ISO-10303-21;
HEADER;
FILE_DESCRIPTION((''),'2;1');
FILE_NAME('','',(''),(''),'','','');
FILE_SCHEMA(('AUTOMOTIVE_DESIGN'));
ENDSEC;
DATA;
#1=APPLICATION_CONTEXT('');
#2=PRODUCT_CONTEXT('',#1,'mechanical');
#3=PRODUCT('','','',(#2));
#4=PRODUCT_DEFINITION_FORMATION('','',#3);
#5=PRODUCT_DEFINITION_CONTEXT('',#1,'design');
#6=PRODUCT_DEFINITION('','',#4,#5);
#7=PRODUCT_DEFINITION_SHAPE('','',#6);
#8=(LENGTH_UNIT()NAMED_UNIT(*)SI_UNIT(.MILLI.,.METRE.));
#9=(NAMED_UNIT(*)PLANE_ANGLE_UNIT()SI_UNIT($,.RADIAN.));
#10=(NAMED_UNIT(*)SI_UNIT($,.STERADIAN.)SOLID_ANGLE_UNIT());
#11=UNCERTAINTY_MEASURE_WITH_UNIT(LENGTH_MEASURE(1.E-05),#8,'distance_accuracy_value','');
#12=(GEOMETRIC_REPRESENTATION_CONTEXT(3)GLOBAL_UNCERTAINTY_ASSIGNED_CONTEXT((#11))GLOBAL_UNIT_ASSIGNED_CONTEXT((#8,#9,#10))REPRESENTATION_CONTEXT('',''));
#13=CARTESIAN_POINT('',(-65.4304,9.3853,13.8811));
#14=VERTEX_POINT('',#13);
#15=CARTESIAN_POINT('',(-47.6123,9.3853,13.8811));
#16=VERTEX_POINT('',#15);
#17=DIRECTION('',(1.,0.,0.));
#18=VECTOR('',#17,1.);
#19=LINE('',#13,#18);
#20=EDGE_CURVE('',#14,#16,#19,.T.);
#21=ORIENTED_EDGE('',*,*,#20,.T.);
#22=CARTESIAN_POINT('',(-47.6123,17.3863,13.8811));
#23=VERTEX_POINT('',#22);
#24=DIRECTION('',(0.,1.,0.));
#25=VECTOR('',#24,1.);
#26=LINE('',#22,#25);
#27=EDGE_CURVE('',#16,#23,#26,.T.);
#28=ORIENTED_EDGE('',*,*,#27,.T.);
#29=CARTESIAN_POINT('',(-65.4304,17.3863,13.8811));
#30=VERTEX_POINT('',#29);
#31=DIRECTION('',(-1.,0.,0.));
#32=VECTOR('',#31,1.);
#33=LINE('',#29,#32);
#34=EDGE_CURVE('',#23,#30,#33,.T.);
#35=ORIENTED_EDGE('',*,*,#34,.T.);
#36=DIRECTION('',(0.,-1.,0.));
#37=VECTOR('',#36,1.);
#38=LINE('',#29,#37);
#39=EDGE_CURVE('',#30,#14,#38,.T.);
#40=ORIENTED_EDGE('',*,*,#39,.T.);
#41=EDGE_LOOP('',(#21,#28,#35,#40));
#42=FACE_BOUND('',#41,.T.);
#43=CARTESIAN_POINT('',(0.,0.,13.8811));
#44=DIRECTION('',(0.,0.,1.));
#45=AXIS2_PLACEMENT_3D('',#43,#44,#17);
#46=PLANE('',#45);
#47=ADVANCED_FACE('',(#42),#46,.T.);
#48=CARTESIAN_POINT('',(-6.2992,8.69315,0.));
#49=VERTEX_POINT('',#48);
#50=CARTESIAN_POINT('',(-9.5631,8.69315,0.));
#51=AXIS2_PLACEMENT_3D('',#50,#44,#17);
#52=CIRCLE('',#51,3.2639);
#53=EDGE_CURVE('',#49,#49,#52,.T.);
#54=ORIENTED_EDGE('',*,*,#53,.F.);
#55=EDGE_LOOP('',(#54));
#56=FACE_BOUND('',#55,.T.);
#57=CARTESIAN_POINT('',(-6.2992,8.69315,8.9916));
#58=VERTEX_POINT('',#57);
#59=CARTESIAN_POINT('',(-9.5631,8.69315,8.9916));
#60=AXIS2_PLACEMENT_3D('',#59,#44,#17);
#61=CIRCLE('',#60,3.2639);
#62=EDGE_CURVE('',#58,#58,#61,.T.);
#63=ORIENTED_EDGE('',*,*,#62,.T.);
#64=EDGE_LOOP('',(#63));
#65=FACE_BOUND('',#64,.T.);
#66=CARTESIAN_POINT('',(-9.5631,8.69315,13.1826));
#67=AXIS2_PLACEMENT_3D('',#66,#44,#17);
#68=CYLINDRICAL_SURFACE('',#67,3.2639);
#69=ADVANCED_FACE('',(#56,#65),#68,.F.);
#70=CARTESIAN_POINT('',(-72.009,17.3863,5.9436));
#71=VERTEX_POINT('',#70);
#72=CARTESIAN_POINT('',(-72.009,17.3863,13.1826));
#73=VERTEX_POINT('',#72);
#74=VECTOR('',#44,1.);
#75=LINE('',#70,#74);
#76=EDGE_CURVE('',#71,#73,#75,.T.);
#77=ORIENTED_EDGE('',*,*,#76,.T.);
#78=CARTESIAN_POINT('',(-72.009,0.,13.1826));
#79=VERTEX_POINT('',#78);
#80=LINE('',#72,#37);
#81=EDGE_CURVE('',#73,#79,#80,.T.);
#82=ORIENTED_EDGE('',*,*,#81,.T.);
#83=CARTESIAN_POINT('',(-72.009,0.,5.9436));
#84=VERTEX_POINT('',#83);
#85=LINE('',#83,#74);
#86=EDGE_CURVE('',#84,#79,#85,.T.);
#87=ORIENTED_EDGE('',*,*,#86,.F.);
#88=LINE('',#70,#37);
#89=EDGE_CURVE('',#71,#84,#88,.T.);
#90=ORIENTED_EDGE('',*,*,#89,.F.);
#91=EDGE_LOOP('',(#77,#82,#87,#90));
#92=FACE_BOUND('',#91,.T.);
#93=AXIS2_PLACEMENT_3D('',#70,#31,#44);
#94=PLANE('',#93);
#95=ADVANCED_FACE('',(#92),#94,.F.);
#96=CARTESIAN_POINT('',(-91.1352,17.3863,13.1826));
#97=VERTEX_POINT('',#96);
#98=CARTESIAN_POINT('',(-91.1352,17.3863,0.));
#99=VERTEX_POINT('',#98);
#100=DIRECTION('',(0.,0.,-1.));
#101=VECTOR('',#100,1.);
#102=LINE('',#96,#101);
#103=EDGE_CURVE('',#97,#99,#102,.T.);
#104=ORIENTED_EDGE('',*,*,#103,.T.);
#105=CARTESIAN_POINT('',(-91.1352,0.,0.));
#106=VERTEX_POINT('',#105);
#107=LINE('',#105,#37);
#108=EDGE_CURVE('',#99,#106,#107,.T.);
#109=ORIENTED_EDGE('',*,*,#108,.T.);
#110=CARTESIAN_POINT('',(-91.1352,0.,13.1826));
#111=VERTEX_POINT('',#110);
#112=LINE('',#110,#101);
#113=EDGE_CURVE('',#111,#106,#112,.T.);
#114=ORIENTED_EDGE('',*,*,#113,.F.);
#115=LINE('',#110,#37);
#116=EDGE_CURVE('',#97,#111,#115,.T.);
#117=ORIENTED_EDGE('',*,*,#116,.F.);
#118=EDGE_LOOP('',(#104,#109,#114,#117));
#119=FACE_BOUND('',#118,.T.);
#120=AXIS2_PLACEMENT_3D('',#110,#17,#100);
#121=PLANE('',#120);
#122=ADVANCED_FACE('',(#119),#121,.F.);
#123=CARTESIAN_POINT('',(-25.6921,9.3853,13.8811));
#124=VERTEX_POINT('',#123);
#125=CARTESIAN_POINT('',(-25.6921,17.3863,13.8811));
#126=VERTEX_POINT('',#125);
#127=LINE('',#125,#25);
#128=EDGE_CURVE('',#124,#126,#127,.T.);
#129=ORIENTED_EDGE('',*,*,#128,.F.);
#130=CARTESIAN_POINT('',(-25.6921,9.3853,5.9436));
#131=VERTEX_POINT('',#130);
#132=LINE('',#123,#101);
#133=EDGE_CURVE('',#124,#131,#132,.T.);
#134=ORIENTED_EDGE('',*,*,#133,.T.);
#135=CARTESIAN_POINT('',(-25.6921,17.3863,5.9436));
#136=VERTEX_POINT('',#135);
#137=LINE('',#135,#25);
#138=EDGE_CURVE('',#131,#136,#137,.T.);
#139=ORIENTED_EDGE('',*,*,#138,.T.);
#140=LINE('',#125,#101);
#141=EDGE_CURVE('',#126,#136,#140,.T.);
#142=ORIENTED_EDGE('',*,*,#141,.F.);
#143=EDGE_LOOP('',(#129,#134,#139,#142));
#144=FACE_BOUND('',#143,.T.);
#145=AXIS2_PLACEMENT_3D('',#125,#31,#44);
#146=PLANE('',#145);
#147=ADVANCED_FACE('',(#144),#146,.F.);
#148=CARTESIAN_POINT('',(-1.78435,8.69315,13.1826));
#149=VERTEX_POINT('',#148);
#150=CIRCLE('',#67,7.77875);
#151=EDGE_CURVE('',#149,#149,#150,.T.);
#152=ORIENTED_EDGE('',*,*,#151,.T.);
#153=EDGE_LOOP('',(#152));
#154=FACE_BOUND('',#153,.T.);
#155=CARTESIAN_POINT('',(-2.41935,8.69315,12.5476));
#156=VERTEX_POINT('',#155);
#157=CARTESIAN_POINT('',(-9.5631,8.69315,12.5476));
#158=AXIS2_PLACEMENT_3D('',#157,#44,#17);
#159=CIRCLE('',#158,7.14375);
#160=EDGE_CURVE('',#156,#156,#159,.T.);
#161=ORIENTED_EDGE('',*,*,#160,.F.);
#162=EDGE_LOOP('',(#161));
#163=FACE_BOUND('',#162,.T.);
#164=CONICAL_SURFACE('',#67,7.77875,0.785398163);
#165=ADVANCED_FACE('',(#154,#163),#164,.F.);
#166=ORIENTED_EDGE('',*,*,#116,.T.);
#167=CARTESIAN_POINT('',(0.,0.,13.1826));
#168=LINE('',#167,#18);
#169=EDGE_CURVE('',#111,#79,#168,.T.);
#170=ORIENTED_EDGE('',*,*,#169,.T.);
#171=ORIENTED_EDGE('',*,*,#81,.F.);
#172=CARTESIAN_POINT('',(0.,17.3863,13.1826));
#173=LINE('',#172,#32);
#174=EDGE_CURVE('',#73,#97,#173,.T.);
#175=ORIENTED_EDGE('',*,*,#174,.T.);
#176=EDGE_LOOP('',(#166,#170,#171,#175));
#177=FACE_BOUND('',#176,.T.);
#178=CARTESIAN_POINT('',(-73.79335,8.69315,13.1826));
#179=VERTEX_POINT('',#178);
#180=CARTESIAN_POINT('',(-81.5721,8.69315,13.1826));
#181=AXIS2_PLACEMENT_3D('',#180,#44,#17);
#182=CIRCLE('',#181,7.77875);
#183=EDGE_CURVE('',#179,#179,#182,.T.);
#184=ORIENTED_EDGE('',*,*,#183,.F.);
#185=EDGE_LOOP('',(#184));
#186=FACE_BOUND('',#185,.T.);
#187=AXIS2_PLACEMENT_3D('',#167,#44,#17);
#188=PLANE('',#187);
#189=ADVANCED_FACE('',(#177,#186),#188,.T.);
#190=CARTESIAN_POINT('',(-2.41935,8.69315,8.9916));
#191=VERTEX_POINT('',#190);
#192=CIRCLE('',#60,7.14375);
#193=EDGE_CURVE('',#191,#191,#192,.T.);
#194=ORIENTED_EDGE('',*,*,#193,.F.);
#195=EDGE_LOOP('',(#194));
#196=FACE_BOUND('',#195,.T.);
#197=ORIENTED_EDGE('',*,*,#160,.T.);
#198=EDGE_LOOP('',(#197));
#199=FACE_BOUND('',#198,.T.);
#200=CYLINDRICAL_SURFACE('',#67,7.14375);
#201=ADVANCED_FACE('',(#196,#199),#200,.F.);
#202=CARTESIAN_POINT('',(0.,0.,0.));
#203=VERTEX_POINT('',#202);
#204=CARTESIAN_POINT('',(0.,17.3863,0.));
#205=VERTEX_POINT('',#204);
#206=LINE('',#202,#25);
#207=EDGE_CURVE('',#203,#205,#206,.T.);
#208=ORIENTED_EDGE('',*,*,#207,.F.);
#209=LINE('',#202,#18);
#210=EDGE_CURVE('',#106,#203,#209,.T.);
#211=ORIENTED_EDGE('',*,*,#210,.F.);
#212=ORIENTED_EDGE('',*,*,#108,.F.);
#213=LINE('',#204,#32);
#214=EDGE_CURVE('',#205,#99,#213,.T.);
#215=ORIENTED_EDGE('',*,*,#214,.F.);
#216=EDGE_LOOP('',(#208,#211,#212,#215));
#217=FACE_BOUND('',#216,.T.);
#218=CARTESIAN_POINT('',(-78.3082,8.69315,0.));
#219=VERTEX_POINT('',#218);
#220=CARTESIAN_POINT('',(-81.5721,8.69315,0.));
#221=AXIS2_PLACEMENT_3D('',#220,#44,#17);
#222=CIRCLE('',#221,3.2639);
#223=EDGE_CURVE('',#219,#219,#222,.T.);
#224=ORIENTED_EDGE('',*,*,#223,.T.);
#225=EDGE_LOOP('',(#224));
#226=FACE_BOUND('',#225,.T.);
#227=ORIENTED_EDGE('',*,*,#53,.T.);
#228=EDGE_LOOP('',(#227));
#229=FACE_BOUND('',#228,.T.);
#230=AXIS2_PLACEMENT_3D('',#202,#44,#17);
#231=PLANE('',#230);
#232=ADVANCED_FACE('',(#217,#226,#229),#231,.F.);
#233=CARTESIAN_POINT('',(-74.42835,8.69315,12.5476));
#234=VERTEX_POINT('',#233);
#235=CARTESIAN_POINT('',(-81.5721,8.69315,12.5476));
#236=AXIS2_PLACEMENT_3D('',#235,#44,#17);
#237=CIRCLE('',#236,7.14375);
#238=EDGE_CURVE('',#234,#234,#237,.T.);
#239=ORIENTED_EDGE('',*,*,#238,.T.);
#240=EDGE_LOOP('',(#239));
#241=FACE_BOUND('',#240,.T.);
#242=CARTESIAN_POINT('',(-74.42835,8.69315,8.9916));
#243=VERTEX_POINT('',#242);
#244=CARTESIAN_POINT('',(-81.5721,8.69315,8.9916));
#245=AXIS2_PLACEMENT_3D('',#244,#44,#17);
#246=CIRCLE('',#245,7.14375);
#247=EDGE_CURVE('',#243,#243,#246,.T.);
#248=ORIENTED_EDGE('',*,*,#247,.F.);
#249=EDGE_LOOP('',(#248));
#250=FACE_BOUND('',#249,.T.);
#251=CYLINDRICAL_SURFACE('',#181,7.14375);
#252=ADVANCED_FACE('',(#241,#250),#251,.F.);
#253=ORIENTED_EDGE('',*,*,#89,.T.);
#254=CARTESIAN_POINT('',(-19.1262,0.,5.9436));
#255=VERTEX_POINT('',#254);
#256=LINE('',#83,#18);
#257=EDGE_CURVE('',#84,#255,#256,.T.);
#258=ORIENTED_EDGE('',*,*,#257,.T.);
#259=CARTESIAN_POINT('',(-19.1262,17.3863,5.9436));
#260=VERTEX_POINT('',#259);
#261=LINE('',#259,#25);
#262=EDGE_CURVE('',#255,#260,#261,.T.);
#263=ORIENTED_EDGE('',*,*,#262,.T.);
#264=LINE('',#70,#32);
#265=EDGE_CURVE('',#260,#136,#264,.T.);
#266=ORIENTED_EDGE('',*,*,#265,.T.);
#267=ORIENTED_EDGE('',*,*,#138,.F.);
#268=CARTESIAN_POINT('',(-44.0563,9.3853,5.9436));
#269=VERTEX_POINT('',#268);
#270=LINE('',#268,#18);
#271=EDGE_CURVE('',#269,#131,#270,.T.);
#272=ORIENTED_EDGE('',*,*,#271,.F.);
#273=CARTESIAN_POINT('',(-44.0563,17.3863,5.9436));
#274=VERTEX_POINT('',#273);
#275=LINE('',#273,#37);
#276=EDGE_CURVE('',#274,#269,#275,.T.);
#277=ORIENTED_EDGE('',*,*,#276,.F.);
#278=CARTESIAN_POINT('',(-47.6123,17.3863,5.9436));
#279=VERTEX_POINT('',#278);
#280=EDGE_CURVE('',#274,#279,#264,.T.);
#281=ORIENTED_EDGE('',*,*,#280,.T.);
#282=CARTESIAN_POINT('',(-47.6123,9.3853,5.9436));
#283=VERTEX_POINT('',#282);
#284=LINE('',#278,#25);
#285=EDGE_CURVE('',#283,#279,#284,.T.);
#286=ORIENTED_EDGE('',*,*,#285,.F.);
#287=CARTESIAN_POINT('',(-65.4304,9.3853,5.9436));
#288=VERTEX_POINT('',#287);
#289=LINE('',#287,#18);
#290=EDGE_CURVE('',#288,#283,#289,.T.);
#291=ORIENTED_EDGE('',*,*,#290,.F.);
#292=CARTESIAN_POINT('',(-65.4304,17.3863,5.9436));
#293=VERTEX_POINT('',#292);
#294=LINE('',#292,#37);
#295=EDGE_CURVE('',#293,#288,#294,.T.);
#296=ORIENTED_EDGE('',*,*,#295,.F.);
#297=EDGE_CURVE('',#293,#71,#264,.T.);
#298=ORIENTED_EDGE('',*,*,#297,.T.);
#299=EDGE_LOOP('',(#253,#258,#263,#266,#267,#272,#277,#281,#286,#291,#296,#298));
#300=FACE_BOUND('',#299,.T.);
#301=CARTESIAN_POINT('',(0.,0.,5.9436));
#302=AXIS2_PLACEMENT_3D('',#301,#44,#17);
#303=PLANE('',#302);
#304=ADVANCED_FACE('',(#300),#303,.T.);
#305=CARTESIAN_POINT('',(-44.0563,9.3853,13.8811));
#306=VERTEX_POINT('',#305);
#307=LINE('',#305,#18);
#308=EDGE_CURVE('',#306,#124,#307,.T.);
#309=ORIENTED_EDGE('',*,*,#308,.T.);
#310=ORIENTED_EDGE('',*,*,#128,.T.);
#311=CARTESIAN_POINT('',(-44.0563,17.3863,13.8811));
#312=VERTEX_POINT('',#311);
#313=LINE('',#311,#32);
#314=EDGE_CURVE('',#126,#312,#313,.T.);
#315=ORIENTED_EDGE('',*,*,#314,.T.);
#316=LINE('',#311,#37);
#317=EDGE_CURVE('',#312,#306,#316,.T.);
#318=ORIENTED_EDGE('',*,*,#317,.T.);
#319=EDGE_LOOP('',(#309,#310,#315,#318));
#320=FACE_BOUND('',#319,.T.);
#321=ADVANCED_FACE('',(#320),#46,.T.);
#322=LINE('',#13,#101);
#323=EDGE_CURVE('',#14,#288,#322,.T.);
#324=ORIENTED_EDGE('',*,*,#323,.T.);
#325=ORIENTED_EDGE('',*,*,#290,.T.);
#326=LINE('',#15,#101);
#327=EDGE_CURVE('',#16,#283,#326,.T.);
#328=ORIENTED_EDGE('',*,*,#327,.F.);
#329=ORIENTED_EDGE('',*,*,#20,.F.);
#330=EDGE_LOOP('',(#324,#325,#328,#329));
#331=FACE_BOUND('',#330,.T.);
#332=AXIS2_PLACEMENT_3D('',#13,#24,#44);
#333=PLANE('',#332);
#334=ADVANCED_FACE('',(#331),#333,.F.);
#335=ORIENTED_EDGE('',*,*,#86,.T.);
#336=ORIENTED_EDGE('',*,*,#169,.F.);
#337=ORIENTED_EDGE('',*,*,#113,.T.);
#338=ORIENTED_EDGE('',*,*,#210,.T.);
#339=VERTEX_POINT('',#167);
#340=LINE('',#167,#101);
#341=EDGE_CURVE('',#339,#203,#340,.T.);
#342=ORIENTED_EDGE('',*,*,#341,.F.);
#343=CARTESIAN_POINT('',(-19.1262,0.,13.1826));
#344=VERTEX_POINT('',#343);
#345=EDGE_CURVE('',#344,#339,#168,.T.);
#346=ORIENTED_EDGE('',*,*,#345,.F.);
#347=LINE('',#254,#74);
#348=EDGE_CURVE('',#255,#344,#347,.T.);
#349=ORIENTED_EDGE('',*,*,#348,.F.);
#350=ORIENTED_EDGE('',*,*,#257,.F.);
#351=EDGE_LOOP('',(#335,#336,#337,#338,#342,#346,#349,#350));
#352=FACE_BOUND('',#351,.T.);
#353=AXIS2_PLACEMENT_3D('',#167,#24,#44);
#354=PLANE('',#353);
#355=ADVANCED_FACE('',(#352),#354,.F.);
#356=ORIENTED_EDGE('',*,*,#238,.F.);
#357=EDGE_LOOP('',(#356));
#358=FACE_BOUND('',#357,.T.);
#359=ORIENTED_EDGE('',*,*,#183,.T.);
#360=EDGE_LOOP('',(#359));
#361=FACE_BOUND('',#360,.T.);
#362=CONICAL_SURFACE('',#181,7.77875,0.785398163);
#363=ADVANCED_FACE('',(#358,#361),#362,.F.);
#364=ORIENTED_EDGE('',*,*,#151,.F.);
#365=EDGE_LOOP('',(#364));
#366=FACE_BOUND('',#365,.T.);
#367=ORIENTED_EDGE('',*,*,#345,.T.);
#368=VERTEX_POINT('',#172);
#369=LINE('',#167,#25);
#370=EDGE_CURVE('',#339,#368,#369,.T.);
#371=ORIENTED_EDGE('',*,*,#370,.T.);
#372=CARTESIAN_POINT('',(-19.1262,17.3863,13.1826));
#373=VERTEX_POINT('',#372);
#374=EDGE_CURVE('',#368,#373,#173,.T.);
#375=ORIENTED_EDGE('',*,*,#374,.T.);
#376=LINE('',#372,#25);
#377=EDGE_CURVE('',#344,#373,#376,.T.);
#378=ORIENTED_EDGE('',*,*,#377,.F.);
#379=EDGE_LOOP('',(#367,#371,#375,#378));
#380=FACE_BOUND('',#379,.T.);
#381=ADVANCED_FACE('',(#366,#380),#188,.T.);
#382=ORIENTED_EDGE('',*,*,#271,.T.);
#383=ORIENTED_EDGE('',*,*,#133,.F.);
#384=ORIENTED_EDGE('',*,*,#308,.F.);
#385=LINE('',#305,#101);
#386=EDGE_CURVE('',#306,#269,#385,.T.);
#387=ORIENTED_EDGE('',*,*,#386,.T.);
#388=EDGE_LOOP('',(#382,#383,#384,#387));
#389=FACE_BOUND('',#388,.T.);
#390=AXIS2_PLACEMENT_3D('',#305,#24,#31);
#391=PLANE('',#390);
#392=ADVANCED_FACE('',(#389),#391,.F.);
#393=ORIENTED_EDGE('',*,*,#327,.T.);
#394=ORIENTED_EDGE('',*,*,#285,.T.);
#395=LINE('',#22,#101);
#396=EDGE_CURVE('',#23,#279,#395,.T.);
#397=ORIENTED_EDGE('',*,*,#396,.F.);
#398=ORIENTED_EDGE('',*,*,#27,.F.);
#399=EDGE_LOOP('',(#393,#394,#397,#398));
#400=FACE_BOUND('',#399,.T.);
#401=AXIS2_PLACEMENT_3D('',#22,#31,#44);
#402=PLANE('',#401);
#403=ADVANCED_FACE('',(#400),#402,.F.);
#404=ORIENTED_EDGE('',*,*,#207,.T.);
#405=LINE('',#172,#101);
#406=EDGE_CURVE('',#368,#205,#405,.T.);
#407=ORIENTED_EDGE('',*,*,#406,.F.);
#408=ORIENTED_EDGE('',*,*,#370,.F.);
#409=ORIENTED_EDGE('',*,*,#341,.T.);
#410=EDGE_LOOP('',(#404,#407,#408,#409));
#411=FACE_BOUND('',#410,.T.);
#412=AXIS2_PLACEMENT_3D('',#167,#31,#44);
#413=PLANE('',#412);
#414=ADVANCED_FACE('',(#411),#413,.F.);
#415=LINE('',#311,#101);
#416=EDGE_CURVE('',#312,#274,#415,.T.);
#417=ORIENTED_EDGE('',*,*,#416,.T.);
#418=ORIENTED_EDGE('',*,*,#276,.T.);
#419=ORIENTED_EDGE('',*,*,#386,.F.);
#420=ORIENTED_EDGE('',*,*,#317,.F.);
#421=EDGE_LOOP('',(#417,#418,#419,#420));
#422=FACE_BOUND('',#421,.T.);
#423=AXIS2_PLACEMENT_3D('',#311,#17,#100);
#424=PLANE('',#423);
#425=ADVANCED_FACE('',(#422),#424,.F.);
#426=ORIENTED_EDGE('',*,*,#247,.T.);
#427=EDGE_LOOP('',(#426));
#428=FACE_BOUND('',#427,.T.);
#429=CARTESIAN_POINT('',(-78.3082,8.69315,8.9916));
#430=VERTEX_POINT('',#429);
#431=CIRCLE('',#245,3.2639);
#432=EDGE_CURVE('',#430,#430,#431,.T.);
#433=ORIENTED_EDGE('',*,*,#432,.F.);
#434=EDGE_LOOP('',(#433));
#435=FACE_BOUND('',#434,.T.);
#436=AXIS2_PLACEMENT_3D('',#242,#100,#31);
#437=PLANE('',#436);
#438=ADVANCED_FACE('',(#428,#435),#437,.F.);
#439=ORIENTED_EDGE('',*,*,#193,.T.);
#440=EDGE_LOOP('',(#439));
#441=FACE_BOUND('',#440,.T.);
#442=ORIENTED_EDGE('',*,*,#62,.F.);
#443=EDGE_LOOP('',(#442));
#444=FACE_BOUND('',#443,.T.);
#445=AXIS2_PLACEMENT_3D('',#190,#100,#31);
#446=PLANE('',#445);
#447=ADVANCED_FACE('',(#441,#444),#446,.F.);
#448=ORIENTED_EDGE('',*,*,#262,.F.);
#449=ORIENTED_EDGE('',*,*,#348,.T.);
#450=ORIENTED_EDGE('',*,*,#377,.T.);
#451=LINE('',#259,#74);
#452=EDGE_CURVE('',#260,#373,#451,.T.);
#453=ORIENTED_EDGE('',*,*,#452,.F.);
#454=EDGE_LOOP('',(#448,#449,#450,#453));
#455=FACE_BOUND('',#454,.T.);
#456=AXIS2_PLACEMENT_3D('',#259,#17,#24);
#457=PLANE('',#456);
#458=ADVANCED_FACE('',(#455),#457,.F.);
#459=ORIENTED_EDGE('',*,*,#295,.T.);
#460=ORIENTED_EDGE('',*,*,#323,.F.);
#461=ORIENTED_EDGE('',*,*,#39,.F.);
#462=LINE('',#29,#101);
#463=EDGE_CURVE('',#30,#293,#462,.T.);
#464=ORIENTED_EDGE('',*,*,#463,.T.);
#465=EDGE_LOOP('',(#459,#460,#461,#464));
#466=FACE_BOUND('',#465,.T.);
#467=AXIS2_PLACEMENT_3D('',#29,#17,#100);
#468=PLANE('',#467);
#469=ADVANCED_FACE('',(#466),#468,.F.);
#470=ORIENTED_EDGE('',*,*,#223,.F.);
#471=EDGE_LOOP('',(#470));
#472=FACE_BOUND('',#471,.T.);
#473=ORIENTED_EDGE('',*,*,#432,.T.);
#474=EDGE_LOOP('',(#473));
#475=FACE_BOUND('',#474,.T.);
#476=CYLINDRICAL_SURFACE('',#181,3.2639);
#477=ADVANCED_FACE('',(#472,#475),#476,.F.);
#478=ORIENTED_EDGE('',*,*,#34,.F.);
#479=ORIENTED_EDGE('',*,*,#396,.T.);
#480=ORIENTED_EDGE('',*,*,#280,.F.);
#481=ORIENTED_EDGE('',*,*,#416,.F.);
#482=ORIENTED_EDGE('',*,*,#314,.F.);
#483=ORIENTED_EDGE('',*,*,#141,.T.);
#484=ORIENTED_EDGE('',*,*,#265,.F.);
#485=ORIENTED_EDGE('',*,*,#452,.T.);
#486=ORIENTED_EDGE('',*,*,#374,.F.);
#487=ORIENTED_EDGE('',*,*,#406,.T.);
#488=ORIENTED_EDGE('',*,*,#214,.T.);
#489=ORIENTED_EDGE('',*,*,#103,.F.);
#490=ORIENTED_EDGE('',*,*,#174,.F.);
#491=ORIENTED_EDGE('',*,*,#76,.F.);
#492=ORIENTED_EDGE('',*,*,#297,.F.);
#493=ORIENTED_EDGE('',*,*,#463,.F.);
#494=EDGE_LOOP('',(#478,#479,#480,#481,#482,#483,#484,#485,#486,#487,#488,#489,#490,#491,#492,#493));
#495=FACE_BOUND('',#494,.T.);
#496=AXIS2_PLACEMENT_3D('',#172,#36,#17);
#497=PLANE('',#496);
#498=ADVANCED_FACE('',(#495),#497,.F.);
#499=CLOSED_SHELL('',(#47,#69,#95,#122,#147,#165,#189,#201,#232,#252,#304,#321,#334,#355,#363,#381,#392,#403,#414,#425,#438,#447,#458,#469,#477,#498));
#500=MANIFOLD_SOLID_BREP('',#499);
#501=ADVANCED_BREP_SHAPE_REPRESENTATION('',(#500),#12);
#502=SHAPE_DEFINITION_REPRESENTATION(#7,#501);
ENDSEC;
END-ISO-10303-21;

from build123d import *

# Parameters (mm, degrees)
SKETCH1_W                                    = 91.1352
SKETCH1_H                                    = 17.3863
BOSS_EXTRUDE1_DEPTH                          = 13.1826
SKETCH2_W                                    = 52.8828
SKETCH2_H                                    = 17.3863
CUT_EXTRUDE1_DEPTH                           = 7.239
CBORE_FOR_1_4_BINDING_HEAD_MACHINE_S_2_COUNT = 2
CBORE_FOR_1_4_BINDING_HEAD_MACHINE_S_2_PITCH = 72.009
SKETCH7_W                                    = 17.8181
SKETCH7_H                                    = 8.001
SKETCH7_W_2                                  = 18.3642
BOSS_EXTRUDE2_DEPTH                          = 7.9375


with BuildPart() as part:
    # Sketch1 → Boss-Extrude1 (new body)
    with BuildSketch(Plane.XY):
        with Locations((-45.5676, 8.69315)):
            Rectangle(SKETCH1_W, SKETCH1_H)
    extrude(amount=BOSS_EXTRUDE1_DEPTH)

    # Sketch2 → Cut-Extrude1 (cut)
    with BuildSketch(Plane.XY.offset(13.1826)):
        with Locations((-45.5676, 8.69315)):
            Rectangle(SKETCH2_W, SKETCH2_H)
    extrude(amount=-CUT_EXTRUDE1_DEPTH, mode=Mode.SUBTRACT)

    # Sketch6 → CBORE for 1/4 Binding Head Machine Screw1 (revolve, cut)
    with BuildSketch(Plane(origin=(-81.5721, 8.69315, 13.1826), x_dir=(0, -1, 0), z_dir=(1, 0, 0))):
        Polygon((0, 0), (0, 13.1826), (3.2639, 13.1826), (3.2639, 4.191), (7.14375, 4.191), (7.14375, 0.635), (7.77875, 0), align=None)
    cbore_for_1_4_binding_head_machine_screw = revolve(axis=Axis((-81.5721, 8.69315, 19.5326), (0, 0, -1)), mode=Mode.SUBTRACT)

    # CBORE for 1_4 Binding Head Machine S 2: CBORE for 1/4 Binding Head Machine Screw1 ×2
    with Locations(*[(i * CBORE_FOR_1_4_BINDING_HEAD_MACHINE_S_2_PITCH, 0, 0) for i in range(1, CBORE_FOR_1_4_BINDING_HEAD_MACHINE_S_2_COUNT)]):
        add(cbore_for_1_4_binding_head_machine_screw, mode=Mode.SUBTRACT)

    # Sketch7 → Boss-Extrude2 (add)
    with BuildSketch(Plane.XY.offset(5.9436)):
        with Locations((-56.52135, 13.3858)):
            Rectangle(SKETCH7_W, SKETCH7_H)
        with Locations((-34.8742, 13.3858)):
            Rectangle(SKETCH7_W_2, SKETCH7_H)
    extrude(amount=BOSS_EXTRUDE2_DEPTH)


solid = part.part
